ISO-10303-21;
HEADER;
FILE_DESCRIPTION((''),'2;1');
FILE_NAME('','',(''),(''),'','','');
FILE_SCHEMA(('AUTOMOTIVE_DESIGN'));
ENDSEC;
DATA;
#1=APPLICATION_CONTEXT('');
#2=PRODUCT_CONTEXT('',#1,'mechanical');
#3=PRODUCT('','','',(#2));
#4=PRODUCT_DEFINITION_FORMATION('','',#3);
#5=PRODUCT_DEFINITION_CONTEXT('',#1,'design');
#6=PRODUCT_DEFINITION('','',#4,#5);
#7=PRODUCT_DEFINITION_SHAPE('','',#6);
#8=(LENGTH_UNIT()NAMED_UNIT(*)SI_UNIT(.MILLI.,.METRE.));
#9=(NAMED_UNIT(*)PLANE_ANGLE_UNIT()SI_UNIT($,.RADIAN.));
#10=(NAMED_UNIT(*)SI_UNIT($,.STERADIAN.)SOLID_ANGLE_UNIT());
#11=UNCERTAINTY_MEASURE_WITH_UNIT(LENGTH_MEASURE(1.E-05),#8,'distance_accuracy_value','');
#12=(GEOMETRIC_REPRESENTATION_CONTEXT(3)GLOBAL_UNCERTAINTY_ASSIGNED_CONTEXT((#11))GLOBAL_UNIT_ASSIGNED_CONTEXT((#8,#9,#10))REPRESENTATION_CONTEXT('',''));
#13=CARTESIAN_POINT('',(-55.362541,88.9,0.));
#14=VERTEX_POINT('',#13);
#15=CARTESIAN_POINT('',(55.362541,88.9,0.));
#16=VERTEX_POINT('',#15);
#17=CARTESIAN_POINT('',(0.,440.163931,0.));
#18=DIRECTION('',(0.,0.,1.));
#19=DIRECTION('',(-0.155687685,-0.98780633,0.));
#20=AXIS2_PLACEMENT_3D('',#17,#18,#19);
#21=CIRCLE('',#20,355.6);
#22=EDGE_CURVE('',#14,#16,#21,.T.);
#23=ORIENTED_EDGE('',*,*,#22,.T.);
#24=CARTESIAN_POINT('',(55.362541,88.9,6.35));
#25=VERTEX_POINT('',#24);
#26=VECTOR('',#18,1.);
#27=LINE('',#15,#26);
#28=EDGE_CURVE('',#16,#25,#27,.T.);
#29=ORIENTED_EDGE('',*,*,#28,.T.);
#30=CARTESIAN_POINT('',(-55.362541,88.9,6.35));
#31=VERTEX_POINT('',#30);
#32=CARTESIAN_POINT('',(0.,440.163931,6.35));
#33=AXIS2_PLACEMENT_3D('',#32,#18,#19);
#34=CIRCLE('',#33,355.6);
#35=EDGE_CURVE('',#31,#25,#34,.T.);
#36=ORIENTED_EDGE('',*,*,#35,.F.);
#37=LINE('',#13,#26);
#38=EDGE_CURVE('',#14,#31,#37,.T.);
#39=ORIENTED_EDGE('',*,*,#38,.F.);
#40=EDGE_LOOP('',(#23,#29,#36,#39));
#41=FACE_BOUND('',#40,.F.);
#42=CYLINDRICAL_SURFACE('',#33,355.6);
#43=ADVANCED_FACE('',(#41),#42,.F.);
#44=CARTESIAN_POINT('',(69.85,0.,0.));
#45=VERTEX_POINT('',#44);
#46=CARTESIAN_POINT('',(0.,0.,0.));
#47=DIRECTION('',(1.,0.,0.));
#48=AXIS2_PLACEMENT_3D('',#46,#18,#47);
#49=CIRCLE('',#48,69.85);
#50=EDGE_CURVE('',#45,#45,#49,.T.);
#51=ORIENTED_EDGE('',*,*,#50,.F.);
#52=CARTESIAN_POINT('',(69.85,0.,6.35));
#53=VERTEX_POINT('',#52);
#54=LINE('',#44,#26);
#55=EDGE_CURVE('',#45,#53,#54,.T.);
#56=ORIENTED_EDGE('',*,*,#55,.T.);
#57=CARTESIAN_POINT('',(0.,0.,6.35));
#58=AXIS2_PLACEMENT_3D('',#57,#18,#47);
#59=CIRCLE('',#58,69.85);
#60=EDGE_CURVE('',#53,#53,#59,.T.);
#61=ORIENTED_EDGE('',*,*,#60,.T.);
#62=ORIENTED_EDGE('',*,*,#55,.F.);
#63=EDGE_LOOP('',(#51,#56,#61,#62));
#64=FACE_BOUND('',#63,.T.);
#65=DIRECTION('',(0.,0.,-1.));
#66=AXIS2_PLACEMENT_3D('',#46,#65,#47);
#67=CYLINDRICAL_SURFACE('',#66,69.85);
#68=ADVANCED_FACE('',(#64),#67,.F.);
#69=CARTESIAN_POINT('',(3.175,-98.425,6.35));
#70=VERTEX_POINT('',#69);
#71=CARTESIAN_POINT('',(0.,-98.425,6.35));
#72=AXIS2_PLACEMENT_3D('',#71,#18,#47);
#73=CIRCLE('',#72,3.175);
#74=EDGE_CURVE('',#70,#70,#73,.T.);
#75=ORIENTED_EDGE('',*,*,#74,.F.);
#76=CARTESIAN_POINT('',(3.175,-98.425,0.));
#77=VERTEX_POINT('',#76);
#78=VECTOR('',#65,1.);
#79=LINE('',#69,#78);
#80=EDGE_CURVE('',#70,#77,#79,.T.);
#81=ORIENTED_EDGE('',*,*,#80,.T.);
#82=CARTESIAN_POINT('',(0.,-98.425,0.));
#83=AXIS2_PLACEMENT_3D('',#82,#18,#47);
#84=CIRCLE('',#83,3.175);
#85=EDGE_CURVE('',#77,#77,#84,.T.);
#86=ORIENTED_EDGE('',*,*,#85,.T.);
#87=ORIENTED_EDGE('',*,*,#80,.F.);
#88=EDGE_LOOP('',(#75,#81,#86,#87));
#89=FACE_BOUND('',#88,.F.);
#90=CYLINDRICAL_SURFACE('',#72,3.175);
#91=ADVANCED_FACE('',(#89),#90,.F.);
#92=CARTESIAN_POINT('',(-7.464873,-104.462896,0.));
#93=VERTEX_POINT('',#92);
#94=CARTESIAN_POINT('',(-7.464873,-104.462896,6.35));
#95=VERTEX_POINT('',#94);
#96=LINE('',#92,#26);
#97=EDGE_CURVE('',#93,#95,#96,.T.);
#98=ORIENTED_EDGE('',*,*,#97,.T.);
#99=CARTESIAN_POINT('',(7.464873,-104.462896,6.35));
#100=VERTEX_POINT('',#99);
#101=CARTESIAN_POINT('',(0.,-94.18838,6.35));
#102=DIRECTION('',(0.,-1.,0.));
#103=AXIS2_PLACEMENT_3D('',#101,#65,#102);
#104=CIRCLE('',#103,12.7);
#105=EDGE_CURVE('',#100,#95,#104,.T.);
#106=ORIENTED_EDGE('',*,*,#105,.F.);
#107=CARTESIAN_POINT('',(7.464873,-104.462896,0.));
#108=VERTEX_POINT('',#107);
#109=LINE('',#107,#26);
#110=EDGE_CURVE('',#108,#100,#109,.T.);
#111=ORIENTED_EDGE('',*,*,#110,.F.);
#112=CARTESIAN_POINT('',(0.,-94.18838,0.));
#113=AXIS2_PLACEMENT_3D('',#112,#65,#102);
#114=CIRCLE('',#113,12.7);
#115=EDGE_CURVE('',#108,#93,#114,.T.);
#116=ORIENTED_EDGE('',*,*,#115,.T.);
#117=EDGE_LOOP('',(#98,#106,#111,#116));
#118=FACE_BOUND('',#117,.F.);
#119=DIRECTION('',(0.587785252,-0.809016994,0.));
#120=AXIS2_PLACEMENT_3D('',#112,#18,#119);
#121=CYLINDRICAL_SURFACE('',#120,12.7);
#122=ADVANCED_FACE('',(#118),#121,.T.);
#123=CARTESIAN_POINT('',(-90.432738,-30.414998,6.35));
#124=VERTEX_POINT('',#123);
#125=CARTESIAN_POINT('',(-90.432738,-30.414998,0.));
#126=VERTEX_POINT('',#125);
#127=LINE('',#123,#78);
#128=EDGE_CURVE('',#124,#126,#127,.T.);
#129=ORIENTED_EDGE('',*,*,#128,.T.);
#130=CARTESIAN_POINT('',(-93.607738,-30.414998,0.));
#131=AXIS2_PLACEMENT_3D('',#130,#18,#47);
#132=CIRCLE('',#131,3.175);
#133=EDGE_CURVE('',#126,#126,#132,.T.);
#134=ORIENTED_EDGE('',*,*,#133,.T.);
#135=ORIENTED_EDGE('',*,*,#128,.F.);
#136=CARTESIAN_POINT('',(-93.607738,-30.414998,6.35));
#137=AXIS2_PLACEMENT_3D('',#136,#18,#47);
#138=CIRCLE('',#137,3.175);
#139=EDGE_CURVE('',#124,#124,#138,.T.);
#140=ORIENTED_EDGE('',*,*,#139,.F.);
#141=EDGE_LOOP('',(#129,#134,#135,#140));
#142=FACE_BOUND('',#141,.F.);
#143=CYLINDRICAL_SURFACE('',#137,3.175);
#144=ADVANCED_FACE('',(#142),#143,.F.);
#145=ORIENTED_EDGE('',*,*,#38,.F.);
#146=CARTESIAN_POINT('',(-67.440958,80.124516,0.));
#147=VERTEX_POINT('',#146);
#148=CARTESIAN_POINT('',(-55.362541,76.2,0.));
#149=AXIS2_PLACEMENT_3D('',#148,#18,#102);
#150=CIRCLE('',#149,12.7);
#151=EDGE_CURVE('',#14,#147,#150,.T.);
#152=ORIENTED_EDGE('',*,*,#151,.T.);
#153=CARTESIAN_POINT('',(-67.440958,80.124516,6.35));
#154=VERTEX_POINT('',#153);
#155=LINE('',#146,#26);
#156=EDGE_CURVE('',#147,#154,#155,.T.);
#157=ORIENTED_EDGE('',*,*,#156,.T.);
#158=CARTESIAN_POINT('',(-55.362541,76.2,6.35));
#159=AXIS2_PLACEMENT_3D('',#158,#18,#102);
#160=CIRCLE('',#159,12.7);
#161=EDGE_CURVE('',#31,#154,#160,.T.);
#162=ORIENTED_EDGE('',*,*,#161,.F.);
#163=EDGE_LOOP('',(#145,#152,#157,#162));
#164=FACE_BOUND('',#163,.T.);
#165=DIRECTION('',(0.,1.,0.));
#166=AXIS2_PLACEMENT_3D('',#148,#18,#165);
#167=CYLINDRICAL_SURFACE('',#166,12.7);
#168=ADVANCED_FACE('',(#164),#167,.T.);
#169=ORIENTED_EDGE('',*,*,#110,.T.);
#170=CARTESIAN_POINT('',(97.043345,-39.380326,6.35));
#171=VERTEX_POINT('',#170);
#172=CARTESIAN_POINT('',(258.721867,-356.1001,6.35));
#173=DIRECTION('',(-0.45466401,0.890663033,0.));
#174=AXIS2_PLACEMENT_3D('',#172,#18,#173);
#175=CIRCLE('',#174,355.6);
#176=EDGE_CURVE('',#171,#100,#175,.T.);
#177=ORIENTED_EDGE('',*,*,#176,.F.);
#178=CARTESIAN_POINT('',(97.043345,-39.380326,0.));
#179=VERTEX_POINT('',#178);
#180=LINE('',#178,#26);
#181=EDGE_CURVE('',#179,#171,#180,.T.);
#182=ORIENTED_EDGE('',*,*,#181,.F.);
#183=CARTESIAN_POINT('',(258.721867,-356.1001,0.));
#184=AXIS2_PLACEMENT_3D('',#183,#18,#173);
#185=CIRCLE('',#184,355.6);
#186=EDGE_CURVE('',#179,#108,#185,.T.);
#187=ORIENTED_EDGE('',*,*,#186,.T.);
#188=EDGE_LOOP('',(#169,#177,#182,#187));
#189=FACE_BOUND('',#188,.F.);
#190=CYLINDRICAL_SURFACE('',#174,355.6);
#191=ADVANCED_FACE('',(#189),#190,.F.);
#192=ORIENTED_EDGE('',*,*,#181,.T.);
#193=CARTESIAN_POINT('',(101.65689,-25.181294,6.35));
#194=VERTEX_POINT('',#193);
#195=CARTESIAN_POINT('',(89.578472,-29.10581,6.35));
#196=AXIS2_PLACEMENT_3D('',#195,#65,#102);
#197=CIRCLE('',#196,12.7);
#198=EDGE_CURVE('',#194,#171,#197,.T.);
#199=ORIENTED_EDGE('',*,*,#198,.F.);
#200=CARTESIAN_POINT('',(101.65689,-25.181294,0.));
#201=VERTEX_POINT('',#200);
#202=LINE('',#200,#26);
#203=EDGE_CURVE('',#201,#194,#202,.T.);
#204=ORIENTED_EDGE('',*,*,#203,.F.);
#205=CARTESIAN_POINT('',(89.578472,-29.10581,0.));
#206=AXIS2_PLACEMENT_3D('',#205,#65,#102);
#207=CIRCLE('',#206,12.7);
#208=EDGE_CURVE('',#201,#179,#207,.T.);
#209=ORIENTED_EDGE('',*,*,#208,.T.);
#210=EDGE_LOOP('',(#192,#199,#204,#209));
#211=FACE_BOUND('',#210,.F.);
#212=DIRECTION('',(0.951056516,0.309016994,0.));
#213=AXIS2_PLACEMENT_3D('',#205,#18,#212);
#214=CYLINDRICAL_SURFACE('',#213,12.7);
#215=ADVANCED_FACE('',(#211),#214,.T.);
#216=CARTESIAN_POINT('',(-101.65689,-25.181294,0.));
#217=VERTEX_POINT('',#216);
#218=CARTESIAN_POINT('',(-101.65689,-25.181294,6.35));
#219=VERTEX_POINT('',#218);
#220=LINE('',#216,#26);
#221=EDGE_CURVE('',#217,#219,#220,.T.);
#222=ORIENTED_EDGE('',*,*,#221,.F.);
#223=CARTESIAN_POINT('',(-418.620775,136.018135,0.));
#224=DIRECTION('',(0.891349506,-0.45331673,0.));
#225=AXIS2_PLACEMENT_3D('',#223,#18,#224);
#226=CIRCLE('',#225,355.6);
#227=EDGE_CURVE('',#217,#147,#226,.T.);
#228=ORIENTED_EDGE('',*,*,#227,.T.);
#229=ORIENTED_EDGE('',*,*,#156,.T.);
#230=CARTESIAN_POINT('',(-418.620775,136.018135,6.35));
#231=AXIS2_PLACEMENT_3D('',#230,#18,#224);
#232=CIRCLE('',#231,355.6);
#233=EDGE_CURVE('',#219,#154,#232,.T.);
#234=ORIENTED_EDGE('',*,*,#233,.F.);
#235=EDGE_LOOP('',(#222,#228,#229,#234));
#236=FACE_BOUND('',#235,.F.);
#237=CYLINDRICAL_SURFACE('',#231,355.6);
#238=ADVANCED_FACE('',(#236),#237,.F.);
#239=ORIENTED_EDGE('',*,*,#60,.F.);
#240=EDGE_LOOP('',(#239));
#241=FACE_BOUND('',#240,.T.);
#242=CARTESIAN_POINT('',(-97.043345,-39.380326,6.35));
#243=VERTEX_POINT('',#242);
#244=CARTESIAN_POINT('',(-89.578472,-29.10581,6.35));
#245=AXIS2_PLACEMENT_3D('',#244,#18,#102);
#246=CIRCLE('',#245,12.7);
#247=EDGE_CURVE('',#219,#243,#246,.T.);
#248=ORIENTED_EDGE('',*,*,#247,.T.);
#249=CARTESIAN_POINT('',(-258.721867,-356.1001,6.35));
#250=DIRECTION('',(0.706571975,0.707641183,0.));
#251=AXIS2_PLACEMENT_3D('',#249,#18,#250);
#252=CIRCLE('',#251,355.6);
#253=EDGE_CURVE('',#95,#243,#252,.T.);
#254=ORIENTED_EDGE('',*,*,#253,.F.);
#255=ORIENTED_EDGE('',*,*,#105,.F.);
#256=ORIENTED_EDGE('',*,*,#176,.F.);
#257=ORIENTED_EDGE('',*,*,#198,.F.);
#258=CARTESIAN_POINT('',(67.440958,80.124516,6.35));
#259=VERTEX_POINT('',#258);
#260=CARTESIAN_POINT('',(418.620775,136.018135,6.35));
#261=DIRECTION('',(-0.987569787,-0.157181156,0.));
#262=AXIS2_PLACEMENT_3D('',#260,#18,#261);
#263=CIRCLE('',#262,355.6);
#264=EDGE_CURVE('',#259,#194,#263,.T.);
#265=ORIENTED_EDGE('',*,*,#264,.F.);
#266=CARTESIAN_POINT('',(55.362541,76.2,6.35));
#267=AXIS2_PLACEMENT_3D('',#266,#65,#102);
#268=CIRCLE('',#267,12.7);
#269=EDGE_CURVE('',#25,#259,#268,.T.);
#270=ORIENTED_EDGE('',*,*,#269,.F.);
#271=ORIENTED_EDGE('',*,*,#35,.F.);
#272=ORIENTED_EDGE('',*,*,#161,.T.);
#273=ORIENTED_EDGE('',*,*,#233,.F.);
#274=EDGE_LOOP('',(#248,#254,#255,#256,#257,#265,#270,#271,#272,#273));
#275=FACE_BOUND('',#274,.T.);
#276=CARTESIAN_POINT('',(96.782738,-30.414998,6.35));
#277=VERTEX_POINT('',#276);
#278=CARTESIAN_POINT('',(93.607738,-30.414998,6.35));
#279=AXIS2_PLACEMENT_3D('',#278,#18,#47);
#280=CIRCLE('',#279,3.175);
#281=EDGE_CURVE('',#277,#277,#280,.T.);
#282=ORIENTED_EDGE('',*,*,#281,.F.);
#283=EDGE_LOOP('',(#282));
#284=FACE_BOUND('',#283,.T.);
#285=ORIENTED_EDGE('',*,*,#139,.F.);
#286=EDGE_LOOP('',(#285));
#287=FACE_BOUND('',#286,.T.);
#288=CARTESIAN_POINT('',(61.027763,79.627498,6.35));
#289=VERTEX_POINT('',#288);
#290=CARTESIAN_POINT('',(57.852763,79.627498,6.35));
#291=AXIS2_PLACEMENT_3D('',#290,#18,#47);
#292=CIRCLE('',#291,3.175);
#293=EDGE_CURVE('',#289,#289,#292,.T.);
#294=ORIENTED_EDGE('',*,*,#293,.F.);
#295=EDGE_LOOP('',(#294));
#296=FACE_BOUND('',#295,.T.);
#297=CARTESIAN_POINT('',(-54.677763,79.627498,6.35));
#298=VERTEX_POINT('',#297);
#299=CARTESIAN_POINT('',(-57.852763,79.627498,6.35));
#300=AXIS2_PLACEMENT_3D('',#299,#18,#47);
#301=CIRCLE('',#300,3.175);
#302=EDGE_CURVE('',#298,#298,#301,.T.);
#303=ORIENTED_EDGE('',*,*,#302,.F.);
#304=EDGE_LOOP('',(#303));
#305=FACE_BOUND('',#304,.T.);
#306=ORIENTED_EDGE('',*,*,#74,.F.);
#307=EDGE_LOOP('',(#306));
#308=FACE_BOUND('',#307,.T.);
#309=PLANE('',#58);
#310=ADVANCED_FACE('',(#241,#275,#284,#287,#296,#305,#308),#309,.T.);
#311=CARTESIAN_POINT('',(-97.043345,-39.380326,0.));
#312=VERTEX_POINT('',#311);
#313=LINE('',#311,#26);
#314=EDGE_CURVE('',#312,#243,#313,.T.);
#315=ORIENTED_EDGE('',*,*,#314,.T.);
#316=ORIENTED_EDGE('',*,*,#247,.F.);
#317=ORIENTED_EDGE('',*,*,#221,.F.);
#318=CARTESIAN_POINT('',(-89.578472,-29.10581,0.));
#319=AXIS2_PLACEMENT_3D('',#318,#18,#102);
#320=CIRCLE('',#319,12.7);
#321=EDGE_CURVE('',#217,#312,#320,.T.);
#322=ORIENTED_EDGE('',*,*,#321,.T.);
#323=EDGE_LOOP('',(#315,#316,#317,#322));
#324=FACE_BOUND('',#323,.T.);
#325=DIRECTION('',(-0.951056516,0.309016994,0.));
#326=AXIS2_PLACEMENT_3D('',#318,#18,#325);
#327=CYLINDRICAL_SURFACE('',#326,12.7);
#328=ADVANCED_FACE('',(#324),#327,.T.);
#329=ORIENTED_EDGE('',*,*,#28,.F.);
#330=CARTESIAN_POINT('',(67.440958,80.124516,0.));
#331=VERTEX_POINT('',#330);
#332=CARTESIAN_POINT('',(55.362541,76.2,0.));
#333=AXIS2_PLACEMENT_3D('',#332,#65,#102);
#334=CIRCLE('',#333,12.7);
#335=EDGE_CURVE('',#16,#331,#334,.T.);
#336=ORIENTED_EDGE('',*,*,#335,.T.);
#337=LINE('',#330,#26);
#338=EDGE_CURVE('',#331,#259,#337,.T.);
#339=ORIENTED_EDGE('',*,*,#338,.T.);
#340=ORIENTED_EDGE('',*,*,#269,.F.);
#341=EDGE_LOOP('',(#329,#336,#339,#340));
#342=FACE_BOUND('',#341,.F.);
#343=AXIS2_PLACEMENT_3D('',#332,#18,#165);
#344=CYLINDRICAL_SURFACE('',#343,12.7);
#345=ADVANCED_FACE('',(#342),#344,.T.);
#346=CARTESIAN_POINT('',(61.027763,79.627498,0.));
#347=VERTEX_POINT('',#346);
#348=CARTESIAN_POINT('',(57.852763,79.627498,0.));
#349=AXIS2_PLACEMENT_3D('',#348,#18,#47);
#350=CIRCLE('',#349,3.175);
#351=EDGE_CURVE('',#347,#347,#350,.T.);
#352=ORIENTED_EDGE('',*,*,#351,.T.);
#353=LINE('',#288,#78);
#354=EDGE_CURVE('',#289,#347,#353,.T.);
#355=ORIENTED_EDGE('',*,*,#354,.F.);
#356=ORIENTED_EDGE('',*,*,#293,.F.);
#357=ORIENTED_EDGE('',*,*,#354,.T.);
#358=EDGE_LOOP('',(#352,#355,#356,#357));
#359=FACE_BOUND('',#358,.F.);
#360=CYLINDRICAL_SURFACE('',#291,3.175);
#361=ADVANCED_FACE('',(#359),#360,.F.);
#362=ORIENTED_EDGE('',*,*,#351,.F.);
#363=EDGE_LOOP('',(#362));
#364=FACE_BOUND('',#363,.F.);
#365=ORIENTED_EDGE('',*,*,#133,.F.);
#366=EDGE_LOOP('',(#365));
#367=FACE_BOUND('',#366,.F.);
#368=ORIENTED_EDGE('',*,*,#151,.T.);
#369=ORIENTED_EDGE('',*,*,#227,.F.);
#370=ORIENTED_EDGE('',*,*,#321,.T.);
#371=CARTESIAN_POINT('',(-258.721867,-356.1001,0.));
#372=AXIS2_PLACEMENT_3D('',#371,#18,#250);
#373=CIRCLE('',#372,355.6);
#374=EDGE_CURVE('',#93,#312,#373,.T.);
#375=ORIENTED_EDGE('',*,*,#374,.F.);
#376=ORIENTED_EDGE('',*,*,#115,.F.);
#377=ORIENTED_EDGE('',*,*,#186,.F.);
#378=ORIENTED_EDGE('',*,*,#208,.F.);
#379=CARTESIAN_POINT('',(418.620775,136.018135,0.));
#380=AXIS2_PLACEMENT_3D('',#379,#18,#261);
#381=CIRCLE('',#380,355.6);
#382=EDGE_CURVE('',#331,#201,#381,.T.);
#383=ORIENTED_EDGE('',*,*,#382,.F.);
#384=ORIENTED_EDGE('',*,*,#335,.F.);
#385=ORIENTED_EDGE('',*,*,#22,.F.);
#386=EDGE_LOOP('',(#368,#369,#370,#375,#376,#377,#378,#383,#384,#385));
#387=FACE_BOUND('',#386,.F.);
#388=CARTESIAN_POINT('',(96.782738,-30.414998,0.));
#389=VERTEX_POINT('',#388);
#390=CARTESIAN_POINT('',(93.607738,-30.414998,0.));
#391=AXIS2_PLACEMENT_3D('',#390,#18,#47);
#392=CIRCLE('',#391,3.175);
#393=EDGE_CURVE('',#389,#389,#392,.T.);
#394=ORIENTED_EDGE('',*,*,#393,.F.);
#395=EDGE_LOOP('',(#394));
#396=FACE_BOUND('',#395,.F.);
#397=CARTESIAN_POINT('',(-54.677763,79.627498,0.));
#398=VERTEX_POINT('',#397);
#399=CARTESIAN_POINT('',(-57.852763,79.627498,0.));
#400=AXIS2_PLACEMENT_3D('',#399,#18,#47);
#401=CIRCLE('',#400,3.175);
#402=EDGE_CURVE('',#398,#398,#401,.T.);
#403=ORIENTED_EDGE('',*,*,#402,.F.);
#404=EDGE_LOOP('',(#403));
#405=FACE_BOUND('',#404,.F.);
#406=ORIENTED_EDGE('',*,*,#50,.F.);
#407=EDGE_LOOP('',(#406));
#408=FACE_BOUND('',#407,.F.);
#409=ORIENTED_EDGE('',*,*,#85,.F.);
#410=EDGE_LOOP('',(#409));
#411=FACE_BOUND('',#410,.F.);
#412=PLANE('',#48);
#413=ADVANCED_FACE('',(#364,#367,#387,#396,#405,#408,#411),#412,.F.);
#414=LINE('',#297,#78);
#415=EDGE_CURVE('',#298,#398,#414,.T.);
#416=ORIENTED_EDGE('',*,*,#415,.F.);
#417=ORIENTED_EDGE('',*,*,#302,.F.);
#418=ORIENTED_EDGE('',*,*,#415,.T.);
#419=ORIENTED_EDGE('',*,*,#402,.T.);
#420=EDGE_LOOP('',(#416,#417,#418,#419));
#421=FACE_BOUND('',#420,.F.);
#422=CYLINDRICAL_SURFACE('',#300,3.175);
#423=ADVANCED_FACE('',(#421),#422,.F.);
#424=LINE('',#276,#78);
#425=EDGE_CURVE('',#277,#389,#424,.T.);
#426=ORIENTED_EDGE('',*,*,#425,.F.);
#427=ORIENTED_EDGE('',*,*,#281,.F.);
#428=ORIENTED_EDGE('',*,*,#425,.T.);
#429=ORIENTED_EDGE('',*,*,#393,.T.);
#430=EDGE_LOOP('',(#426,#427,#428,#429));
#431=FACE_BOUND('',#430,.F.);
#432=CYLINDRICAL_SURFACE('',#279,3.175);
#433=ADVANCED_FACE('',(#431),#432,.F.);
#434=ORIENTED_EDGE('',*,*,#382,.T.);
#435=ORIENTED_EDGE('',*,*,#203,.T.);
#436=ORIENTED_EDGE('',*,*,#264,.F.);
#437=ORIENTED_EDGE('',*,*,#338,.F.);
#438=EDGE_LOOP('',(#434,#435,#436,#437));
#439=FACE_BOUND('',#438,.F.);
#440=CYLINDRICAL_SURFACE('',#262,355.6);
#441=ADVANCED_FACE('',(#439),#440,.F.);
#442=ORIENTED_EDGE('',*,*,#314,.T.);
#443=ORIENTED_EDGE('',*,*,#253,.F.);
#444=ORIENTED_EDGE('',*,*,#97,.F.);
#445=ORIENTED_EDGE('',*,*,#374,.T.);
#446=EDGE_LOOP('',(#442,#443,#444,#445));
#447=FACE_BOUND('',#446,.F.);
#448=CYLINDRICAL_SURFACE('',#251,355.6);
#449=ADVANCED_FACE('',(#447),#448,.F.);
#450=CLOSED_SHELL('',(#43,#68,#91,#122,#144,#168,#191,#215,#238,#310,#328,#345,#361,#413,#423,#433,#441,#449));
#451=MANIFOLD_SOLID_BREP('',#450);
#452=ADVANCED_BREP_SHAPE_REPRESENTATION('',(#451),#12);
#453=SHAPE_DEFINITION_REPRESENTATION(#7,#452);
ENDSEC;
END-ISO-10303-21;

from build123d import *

# Parameters (mm, degrees)
F0_R     = 69.85
F1_DEPTH = 6.35
F2_R     = 12.7
F3_R     = 3.175
F4_DEPTH = 6.35
F6_DEPTH = 6.35


with BuildPart() as f1:
    # F0 (on Top) → F1 (new body)
    with BuildSketch(Plane.XY):
        Polygon((64.5896307397, 88.9), (-64.5896307397, 88.9), (-104.5082178576, -33.9567784001), (0, -109.8864431997), (104.5082178576, -33.9567784001), align=None)
        Circle(F0_R, mode=Mode.SUBTRACT)
    extrude(amount=F1_DEPTH)

    # F2
    f2_edges = [f1.edges().sort_by_distance(p)[0] for p in [
        (-64.589631, 88.9, 3.175),
        (-104.508218, -33.956778, 3.175),
        (0, -109.886443, 3.175),
        (104.508218, -33.956778, 3.175),
        (64.589631, 88.9, 3.175),
    ]]
    fillet(f2_edges, radius=F2_R)

    # F3 (on face) → F4 (cut, through all)
    with BuildSketch(Plane.XY.offset(6.35)):
        with Locations((0, -98.425)):
            Circle(F3_R)
        with Locations((93.6077376164, -30.4149976714)):
            Circle(F3_R)
        with Locations((57.8527634569, 79.6274976714)):
            Circle(F3_R)
        with Locations((-57.8527634569, 79.6274976714)):
            Circle(F3_R)
        with Locations((-93.6077376164, -30.4149976714)):
            Circle(F3_R)
    extrude(amount=-F4_DEPTH, mode=Mode.SUBTRACT)

    # F5 (on face) → F6 (cut, through all)
    with BuildSketch(Plane.XY.offset(6.35)):
        with BuildLine():
            Line((55.362540634, 88.9), (-55.362540634, 88.9))
            ThreePointArc((-55.362540634, 88.9), (0, 84.5639308192), (55.362540634, 88.9))
        make_face()
        with BuildLine():
            ThreePointArc((-101.6568902063, -25.1812942287), (-80.4250774491, 26.1316917343), (-67.440958391, 80.1245158286))
            Line((-67.440958391, 80.1245158286), (-101.6568902063, -25.1812942287))
        make_face()
        with BuildLine():
            ThreePointArc((-7.4648727041, -104.462895714), (-49.7054314114, -68.4136571439), (-97.0433451535, -39.3803258858))
            Line((-97.0433451535, -39.3803258858), (-7.4648727041, -104.462895714))
        make_face()
        with BuildLine():
            ThreePointArc((97.0433451535, -39.3803258858), (49.7054314114, -68.4136571439), (7.4648727041, -104.462895714))
            Line((7.4648727041, -104.462895714), (97.0433451535, -39.3803258858))
        make_face()
        with BuildLine():
            ThreePointArc((67.440958391, 80.1245158286), (80.4250774491, 26.1316917343), (101.6568902063, -25.1812942287))
            Line((101.6568902063, -25.1812942287), (67.440958391, 80.1245158286))
        make_face()
    extrude(amount=-F6_DEPTH, mode=Mode.SUBTRACT)


solid = f1.part
